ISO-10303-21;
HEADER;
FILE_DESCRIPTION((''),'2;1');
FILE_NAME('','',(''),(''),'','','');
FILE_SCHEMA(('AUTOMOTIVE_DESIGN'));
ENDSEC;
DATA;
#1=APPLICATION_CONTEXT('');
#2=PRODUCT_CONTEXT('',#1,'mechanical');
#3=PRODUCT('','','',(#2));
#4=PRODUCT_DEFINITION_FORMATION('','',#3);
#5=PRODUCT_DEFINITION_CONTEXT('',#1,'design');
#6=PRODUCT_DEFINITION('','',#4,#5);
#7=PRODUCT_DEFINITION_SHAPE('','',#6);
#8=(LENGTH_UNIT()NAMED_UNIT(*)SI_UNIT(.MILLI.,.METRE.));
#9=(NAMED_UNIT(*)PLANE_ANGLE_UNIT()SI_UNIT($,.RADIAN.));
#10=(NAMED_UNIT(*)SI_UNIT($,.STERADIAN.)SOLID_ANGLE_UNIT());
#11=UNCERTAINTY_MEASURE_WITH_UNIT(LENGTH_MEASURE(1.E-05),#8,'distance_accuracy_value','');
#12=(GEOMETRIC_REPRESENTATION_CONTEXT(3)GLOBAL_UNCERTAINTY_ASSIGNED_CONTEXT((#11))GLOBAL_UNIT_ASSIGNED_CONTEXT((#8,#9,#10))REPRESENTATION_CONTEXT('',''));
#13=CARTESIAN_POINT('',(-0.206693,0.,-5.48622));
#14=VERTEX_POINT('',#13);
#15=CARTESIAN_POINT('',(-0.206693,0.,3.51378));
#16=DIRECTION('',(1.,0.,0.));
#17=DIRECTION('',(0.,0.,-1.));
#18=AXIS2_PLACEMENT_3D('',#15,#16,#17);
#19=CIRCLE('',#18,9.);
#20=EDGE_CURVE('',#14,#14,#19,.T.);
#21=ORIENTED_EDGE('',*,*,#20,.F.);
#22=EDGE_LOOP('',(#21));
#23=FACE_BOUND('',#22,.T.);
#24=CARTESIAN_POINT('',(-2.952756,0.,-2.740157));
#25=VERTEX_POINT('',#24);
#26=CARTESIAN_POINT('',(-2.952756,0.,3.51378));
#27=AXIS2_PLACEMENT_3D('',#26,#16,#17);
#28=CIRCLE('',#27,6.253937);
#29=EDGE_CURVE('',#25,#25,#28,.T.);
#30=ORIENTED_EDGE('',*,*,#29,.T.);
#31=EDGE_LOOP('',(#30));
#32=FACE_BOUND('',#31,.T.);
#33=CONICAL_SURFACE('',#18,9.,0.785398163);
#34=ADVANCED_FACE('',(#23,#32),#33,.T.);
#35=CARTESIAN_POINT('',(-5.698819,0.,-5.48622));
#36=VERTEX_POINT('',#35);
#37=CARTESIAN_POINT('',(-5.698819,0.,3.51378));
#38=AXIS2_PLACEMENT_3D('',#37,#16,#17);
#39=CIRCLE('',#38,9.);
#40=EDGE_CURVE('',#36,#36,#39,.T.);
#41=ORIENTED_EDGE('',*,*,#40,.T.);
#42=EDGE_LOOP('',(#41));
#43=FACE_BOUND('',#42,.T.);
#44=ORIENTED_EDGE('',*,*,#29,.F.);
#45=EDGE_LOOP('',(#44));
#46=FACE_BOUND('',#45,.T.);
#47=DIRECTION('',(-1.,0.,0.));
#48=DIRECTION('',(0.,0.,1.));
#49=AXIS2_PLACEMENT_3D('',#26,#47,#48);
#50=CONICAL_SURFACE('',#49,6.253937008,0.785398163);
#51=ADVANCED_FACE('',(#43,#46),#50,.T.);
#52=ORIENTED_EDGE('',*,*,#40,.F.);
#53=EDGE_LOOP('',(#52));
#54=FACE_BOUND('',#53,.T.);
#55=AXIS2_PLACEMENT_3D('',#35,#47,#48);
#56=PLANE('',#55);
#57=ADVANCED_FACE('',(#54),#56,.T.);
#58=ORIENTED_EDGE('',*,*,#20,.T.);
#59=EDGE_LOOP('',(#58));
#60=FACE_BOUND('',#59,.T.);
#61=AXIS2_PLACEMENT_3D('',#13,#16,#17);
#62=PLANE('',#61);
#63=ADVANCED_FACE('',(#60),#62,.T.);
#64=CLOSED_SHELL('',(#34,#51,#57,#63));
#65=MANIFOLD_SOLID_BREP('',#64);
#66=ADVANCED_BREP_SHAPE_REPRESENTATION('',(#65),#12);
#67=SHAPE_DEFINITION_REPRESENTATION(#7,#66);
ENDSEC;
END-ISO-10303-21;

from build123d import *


with BuildPart() as part:
    # Sketch1 → Revolve1 (revolve)
    with BuildSketch(Plane(origin=(0, 0, 0), x_dir=(1, 0, 0), z_dir=(0, 1, 0))):
        Polygon((-5.698818898, 5.486220472), (-5.698818898, -3.513779528), (-0.206692913, -3.513779528), (-0.206692913, 5.486220472), (-2.952755906, 2.74015748), align=None)
    revolve(axis=Axis((-0.206692913, 0, 3.513779528), (-1, 0, 0)))


solid = part.part
